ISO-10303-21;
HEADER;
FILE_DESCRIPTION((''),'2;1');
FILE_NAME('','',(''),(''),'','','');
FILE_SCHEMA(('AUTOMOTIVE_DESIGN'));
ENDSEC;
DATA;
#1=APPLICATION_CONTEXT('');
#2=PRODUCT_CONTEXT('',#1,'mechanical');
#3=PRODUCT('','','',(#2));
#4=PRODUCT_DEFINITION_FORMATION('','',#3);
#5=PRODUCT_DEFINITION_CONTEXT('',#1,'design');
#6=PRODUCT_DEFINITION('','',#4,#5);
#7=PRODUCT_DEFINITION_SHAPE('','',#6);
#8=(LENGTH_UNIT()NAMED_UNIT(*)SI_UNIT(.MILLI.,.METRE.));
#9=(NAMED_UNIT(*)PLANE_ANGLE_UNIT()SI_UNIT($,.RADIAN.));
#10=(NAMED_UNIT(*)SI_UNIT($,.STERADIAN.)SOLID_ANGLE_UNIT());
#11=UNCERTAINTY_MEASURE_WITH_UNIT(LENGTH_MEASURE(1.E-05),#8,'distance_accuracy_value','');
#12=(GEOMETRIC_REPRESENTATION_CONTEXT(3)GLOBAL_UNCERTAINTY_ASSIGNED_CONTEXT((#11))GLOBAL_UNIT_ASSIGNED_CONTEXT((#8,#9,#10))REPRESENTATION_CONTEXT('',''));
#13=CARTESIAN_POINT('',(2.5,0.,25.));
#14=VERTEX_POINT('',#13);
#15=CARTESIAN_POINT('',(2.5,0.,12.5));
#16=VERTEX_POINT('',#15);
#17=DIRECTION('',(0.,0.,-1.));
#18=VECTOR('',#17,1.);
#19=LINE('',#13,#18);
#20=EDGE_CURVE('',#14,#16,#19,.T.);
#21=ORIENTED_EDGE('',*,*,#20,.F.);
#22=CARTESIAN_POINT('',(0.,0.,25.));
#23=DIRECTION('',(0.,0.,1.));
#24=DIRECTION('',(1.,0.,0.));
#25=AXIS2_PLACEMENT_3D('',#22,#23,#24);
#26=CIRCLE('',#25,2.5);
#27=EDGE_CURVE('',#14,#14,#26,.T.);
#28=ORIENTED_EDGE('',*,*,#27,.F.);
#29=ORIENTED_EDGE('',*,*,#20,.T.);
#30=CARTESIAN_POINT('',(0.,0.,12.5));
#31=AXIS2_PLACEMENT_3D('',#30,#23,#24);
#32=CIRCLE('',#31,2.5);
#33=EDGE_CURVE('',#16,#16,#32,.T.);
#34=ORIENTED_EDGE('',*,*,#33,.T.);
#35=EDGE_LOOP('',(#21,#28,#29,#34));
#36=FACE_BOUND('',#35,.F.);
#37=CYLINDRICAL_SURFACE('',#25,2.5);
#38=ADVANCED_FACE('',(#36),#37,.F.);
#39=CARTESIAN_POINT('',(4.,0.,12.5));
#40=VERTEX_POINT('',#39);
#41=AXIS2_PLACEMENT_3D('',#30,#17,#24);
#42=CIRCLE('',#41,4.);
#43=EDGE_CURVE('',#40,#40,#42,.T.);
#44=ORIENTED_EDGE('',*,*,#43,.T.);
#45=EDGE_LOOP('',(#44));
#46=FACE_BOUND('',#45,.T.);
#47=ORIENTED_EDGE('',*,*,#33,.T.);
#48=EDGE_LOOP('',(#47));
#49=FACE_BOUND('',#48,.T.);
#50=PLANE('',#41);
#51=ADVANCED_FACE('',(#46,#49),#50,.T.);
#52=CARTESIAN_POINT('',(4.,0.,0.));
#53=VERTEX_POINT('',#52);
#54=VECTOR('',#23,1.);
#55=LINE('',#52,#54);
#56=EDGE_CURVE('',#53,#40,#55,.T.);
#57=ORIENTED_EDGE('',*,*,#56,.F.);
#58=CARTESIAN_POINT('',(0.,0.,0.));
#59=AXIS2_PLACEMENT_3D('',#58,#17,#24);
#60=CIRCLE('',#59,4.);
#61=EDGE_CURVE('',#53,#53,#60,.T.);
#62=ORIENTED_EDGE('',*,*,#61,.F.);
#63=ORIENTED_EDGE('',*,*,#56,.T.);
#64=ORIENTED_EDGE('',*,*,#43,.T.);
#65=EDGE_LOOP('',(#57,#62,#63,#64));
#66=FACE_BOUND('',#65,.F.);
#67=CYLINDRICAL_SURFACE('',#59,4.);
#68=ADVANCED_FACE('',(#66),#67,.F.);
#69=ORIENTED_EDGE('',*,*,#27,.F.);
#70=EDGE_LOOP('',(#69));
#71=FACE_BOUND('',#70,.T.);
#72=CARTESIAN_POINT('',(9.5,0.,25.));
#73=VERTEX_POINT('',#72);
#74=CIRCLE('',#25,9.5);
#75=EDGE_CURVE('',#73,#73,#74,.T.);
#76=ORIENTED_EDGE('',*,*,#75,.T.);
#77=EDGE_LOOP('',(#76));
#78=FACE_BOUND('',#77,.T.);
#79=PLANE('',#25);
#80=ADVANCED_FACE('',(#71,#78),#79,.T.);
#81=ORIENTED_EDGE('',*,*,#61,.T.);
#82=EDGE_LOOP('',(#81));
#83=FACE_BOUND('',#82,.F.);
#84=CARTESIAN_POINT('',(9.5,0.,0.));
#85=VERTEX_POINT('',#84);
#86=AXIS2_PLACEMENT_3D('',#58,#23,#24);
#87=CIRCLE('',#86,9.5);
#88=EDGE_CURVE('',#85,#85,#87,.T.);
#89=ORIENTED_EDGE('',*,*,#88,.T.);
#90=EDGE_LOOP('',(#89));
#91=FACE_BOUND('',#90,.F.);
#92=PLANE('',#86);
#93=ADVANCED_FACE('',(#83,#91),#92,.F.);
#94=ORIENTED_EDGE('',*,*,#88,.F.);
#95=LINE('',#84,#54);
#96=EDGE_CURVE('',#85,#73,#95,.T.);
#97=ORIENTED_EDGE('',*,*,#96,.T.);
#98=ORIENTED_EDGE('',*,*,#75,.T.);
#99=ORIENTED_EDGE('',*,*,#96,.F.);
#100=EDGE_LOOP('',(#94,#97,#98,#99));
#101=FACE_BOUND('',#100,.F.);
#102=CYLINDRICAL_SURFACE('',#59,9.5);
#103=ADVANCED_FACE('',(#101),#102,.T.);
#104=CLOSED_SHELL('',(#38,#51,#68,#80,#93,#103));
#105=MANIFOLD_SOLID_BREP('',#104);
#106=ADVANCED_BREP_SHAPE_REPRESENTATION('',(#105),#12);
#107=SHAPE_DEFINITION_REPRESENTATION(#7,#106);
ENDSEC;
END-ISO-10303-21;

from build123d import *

# Parameters (mm, degrees)
F0_R     = 9.5
F1_DEPTH = 25
F2_R     = 4
F4_DEPTH = 12.5
F3_R     = 2.5
F5_DEPTH = 12.5


with BuildPart() as f1:
    # F0 (on Top) → F1 (new body)
    with BuildSketch(Plane.XY):
        Circle(F0_R)
    extrude(amount=F1_DEPTH)

    # F2 (on face) → F4 (cut)
    with BuildSketch(Plane(origin=(0, 0, 0), x_dir=(1, 0, 0), z_dir=(0, 0, -1))):
        Circle(F2_R)
    extrude(amount=-F4_DEPTH, mode=Mode.SUBTRACT)

    # F3 (on face) → F5 (cut, through all)
    with BuildSketch(Plane.XY.offset(25)):
        Circle(F3_R)
    extrude(amount=-F5_DEPTH, mode=Mode.SUBTRACT)


solid = f1.part
